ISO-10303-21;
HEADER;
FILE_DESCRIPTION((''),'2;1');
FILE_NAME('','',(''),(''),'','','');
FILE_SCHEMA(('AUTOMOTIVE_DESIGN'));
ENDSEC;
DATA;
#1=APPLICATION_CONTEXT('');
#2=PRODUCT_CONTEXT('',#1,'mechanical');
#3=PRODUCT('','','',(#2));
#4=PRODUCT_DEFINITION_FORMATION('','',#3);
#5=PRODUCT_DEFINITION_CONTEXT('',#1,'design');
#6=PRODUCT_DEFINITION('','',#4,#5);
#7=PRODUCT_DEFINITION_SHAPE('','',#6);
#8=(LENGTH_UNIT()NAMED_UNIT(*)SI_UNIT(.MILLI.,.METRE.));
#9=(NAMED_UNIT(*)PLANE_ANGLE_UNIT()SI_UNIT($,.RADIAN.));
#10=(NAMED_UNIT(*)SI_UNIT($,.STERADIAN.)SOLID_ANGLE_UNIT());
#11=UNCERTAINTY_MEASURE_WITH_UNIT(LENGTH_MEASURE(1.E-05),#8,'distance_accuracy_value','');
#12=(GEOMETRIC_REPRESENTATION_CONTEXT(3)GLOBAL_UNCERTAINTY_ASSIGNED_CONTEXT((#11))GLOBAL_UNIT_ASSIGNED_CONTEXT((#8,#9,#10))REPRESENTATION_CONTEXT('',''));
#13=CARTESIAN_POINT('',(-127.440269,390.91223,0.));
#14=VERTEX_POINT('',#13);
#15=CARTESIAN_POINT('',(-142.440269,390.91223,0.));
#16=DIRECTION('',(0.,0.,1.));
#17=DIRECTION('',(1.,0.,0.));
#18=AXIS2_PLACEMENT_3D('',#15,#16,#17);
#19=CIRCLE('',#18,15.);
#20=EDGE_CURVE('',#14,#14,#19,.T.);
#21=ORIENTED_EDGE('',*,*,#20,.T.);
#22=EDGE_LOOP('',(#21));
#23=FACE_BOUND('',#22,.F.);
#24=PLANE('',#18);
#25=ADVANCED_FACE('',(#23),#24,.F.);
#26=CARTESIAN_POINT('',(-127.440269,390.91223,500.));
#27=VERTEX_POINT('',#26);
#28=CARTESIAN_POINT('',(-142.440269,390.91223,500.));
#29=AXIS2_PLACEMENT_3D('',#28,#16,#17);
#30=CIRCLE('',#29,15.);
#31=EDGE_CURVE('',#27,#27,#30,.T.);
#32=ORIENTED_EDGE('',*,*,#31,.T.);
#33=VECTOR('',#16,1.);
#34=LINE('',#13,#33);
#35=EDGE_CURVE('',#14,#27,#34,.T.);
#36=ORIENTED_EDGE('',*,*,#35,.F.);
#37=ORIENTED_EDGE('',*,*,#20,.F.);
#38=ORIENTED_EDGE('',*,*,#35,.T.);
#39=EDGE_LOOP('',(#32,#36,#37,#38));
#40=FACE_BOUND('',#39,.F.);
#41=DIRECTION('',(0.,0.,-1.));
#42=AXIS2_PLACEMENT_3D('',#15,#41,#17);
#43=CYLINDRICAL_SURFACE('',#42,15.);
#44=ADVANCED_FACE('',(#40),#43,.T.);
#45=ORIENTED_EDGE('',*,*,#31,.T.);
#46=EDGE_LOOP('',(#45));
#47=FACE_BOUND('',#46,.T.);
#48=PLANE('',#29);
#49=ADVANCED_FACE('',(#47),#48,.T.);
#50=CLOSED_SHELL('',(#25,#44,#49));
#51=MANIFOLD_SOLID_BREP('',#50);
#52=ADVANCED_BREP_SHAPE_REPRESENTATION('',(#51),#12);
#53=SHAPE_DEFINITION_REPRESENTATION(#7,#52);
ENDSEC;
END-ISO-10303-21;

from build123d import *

# Parameters (mm, degrees)
SKETCH_1_R      = 15
EXTRUDE_1_DEPTH = 500


with BuildPart() as part:
    # 草图1 → 凸台-拉伸1 (new body)
    with BuildSketch(Plane.XY):
        with Locations((-142.440268853, 390.912229572)):
            Circle(SKETCH_1_R)
    extrude(amount=EXTRUDE_1_DEPTH)


solid = part.part
